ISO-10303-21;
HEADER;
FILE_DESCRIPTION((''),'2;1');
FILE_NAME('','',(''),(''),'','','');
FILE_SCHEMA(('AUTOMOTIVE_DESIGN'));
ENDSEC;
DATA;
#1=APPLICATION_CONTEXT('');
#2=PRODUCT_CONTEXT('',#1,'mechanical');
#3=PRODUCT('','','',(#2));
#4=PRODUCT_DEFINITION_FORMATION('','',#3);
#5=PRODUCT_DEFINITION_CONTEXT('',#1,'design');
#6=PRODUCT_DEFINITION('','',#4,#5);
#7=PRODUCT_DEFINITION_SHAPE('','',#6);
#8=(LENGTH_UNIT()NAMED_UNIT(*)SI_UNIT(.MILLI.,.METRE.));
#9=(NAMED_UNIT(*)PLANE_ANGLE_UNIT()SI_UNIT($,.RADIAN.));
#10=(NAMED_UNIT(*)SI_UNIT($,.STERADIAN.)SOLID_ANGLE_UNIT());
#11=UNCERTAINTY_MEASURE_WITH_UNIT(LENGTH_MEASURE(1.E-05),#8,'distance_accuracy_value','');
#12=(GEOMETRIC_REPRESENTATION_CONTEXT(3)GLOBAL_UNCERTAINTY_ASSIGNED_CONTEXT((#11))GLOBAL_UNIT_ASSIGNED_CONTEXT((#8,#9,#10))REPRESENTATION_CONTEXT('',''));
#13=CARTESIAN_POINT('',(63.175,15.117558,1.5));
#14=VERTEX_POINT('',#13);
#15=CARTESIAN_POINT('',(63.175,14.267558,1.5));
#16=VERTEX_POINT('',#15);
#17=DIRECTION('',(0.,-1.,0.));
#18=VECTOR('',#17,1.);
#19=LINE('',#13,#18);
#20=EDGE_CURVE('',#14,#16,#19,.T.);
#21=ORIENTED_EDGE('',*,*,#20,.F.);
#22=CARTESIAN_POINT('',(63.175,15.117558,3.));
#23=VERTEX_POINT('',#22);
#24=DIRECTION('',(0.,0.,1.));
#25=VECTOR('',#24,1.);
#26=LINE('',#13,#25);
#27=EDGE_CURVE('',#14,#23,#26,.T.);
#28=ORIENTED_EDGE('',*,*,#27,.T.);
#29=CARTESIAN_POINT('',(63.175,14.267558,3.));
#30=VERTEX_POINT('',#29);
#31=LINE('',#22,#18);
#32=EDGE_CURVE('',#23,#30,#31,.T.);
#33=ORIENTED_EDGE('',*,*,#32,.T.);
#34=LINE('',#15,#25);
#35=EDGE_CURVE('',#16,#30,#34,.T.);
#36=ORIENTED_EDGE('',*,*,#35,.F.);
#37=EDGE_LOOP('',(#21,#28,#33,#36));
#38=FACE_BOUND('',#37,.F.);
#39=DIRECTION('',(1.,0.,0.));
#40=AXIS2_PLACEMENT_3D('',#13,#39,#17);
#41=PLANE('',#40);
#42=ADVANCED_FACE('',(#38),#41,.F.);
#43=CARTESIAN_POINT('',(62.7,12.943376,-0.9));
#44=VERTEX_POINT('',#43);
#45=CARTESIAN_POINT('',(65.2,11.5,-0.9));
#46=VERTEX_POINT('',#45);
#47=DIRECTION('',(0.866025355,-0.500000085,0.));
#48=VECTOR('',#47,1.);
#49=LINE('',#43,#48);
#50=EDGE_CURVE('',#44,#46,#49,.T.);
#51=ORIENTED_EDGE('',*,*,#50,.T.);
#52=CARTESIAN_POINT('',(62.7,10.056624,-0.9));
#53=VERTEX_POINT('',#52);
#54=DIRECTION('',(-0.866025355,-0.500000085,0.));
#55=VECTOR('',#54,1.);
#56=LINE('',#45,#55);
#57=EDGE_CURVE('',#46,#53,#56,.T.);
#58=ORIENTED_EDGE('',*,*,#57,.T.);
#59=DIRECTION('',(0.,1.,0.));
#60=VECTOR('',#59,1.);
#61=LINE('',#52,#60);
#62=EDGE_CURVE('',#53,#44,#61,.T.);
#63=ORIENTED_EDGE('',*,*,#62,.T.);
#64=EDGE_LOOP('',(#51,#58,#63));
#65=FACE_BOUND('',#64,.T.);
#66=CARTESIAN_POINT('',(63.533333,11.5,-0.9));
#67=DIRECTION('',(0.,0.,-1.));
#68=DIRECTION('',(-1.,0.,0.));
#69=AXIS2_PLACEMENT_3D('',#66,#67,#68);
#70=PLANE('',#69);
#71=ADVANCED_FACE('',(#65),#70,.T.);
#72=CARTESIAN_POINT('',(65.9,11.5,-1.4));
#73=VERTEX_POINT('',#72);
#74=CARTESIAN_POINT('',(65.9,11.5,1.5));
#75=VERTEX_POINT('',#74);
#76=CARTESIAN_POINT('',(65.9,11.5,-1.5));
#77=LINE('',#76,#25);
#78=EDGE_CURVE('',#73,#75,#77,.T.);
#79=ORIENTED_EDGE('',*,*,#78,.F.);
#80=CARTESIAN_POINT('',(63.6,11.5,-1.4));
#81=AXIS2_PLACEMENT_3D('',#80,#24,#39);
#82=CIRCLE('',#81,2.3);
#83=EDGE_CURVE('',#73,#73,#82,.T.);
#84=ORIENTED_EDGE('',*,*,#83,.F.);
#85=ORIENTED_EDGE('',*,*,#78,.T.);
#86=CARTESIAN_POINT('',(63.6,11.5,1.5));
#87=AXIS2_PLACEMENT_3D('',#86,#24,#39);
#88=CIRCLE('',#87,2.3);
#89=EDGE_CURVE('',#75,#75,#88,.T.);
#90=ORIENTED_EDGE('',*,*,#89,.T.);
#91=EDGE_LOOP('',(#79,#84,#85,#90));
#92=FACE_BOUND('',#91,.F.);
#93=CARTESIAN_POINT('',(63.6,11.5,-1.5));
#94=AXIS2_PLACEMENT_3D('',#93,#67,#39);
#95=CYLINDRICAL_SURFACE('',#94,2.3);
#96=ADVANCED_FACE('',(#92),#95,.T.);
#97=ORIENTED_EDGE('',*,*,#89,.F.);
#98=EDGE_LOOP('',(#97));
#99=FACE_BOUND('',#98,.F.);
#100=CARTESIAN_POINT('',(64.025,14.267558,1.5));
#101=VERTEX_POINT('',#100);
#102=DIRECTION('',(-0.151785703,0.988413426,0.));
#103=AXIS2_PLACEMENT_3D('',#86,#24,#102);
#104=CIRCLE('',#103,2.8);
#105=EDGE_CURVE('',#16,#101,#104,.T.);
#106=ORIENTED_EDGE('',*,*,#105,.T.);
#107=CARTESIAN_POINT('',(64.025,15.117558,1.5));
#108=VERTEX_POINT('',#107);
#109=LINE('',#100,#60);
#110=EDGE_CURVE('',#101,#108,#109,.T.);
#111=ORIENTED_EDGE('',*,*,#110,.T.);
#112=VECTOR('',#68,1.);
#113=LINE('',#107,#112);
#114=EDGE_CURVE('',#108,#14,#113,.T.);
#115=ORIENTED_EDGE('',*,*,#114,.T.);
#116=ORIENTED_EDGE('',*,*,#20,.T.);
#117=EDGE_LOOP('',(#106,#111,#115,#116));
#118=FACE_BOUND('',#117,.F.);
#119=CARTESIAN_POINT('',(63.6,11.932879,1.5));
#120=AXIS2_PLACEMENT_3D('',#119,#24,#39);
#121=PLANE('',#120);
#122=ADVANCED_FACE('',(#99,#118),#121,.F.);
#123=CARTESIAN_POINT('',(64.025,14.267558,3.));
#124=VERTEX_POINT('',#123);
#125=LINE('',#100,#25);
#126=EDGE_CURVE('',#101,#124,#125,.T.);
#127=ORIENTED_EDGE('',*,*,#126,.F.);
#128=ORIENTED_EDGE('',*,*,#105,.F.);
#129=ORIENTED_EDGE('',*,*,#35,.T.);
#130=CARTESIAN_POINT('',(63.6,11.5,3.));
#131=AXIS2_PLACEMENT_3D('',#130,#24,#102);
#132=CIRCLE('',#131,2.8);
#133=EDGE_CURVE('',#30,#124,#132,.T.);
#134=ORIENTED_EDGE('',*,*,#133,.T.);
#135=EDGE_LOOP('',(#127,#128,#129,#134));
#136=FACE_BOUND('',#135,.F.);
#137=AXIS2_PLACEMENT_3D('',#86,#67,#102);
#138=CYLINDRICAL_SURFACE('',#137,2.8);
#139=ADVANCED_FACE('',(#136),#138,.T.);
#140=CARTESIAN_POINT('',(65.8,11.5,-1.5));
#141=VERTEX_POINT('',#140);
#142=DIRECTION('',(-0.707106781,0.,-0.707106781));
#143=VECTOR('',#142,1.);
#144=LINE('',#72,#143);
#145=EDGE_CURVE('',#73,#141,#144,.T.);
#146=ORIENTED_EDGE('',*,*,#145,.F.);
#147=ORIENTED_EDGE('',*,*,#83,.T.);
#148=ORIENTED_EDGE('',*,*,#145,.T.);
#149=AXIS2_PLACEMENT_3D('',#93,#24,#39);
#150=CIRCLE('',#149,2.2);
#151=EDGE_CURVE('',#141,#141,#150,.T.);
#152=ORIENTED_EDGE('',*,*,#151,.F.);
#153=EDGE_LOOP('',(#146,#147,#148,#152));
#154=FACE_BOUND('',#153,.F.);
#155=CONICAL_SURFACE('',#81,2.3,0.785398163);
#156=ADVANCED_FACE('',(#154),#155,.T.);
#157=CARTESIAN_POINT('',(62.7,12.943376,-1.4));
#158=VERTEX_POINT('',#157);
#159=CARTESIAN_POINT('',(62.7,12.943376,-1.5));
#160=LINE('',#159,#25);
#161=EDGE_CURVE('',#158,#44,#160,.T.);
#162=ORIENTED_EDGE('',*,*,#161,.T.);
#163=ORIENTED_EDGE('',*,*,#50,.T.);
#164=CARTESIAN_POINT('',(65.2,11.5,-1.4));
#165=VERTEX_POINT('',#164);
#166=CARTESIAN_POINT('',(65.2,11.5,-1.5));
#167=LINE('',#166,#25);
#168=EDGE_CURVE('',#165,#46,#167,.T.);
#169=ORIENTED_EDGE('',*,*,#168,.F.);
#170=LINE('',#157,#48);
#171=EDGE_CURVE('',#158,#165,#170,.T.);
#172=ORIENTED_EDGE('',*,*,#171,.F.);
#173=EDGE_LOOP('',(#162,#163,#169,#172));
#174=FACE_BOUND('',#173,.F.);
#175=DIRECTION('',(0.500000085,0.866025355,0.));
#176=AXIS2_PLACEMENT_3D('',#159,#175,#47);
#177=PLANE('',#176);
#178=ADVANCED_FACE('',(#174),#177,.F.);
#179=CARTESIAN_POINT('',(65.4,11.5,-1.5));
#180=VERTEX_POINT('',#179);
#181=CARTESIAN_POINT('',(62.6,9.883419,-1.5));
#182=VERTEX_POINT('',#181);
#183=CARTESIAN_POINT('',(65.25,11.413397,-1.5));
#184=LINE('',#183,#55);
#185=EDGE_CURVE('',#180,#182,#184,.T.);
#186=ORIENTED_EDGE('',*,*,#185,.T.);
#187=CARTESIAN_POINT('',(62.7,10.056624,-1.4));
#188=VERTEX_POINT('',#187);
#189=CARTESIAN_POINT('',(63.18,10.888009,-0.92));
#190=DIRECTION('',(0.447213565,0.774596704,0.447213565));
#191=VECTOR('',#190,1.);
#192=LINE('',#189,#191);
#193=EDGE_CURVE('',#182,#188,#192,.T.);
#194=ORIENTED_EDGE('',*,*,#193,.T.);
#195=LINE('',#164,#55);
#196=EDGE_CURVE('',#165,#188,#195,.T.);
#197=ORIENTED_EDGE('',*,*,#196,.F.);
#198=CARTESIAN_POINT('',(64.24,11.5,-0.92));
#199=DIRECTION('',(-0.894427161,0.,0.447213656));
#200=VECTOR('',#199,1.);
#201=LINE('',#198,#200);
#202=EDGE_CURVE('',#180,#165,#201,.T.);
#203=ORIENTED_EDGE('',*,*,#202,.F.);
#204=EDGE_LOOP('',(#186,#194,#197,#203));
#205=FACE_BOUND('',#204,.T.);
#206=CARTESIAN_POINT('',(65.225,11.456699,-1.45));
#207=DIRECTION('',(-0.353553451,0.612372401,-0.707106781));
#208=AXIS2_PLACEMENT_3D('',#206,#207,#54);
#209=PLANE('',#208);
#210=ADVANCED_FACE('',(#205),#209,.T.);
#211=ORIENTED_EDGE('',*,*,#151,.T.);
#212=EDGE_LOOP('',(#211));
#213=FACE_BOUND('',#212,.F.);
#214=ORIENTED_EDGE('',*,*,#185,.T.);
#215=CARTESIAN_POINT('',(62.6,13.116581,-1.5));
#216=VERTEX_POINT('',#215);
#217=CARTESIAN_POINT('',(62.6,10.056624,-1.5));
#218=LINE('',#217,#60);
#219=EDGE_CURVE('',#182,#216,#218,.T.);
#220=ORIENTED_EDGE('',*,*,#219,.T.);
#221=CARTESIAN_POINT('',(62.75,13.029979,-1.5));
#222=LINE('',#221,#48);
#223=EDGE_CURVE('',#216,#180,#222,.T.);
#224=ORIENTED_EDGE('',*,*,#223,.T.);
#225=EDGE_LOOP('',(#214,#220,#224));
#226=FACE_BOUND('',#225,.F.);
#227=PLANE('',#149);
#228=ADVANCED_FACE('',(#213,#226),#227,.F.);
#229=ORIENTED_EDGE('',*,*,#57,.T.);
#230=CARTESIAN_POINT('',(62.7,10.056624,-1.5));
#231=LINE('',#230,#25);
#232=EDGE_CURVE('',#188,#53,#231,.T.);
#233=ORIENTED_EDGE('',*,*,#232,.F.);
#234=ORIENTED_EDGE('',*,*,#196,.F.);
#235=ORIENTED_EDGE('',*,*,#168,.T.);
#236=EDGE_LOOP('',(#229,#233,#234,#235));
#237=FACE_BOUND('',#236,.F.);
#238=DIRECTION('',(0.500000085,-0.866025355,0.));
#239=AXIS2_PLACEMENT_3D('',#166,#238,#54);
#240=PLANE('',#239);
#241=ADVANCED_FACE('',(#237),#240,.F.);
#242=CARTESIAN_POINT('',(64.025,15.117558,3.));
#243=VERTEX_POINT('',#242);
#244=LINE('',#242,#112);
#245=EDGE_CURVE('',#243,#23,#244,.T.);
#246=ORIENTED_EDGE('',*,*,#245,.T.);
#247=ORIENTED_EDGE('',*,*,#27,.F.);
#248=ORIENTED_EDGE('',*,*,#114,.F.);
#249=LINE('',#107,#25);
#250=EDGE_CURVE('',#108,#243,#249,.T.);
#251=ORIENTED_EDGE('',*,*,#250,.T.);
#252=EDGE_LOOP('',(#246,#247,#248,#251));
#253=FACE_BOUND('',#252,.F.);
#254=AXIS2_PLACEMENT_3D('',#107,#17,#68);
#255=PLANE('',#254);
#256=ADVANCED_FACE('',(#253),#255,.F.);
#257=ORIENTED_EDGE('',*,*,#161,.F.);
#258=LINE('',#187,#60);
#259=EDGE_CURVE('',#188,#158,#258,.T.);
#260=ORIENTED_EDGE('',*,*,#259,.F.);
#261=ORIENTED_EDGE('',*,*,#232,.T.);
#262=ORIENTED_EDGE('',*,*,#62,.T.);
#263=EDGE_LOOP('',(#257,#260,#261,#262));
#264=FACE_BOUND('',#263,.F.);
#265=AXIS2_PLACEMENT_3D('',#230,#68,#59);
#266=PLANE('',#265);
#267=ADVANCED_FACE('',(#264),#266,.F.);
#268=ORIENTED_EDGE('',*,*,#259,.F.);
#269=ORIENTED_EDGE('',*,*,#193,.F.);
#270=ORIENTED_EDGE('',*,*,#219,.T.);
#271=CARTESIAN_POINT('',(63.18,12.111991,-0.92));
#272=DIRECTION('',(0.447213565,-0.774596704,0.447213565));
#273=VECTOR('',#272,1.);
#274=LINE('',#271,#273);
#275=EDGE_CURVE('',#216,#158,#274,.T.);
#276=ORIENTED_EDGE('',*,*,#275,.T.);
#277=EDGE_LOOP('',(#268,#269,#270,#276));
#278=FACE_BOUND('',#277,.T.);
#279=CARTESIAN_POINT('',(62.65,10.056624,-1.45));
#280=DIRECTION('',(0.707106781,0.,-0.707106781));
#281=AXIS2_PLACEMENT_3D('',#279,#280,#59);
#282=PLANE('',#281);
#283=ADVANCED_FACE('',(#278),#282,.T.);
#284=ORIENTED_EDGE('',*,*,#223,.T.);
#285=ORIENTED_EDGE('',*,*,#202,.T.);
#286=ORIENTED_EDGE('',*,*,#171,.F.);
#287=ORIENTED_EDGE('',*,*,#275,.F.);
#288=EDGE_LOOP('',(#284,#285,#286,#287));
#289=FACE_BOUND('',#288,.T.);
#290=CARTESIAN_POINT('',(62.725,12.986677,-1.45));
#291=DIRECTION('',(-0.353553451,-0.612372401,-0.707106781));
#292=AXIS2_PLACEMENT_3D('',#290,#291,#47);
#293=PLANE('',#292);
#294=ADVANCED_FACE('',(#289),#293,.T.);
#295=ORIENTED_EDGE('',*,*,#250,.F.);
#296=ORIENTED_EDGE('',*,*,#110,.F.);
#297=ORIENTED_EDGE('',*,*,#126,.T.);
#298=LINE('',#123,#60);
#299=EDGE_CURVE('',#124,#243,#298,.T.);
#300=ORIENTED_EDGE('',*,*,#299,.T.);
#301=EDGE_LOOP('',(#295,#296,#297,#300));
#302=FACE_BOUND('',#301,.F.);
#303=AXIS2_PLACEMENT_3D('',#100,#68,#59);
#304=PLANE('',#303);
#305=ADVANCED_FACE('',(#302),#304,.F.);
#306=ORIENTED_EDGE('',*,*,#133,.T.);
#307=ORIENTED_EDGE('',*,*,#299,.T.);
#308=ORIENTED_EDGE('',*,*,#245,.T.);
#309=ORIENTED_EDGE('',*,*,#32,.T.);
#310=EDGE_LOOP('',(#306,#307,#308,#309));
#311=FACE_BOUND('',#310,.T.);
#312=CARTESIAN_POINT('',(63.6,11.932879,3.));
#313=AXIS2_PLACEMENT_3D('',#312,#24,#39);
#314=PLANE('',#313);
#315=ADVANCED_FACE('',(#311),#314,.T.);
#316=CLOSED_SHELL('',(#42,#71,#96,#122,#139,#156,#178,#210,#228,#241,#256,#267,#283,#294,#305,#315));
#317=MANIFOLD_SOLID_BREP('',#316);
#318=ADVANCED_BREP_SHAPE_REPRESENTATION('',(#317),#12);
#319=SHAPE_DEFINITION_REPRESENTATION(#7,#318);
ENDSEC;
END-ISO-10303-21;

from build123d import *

# Parameters (mm, degrees)
SKETCH052_R     = 2.3
PAD036_DEPTH    = 3
PAD037_DEPTH    = 1.5
POCKET009_DEPTH = 0.6
CHAMFER003_SIZE = 0.1


with BuildPart() as part:
    # Sketch052 → Pad036 (new body)
    with BuildSketch(Plane.XY):
        Circle(SKETCH052_R)
    extrude(amount=PAD036_DEPTH)

    # Sketch053 (on Face3 of Pad036) → Pad037 (join)
    with BuildSketch(Plane.XY.offset(3)):
        with BuildLine():
            Line((0.425, 2.767558), (0.425, 3.617558))
            Line((0.425, 3.617558), (-0.425, 3.617558))
            Line((-0.425, 3.617558), (-0.425, 2.767558))
            ThreePointArc((-0.425, 2.767558), (0, -2.8), (0.425, 2.767558))
        make_face()
    extrude(amount=PAD037_DEPTH)

    # Sketch054 → Pocket009 (cut)
    with BuildSketch(Plane.XY):
        Polygon((-0.9, 1.443376), (1.6, 0), (-0.9, -1.443376), align=None)
    extrude(amount=POCKET009_DEPTH, mode=Mode.SUBTRACT)

    # Chamfer003
    chamfer003_edges = [part.edges().sort_by_distance(p)[0] for p in [
        (0.35, 0.721688, 0),
        (-0.9, 0, 0),
        (0.35, -0.721688, 0),
        (-2.3, 0, 0),
    ]]
    chamfer(chamfer003_edges, length=CHAMFER003_SIZE)


with BuildPart() as part_1:
    # Body015 placement: moved
    add(part.part.moved(Location((63.6, 11.5, -1.5))))


solid = part_1.part
